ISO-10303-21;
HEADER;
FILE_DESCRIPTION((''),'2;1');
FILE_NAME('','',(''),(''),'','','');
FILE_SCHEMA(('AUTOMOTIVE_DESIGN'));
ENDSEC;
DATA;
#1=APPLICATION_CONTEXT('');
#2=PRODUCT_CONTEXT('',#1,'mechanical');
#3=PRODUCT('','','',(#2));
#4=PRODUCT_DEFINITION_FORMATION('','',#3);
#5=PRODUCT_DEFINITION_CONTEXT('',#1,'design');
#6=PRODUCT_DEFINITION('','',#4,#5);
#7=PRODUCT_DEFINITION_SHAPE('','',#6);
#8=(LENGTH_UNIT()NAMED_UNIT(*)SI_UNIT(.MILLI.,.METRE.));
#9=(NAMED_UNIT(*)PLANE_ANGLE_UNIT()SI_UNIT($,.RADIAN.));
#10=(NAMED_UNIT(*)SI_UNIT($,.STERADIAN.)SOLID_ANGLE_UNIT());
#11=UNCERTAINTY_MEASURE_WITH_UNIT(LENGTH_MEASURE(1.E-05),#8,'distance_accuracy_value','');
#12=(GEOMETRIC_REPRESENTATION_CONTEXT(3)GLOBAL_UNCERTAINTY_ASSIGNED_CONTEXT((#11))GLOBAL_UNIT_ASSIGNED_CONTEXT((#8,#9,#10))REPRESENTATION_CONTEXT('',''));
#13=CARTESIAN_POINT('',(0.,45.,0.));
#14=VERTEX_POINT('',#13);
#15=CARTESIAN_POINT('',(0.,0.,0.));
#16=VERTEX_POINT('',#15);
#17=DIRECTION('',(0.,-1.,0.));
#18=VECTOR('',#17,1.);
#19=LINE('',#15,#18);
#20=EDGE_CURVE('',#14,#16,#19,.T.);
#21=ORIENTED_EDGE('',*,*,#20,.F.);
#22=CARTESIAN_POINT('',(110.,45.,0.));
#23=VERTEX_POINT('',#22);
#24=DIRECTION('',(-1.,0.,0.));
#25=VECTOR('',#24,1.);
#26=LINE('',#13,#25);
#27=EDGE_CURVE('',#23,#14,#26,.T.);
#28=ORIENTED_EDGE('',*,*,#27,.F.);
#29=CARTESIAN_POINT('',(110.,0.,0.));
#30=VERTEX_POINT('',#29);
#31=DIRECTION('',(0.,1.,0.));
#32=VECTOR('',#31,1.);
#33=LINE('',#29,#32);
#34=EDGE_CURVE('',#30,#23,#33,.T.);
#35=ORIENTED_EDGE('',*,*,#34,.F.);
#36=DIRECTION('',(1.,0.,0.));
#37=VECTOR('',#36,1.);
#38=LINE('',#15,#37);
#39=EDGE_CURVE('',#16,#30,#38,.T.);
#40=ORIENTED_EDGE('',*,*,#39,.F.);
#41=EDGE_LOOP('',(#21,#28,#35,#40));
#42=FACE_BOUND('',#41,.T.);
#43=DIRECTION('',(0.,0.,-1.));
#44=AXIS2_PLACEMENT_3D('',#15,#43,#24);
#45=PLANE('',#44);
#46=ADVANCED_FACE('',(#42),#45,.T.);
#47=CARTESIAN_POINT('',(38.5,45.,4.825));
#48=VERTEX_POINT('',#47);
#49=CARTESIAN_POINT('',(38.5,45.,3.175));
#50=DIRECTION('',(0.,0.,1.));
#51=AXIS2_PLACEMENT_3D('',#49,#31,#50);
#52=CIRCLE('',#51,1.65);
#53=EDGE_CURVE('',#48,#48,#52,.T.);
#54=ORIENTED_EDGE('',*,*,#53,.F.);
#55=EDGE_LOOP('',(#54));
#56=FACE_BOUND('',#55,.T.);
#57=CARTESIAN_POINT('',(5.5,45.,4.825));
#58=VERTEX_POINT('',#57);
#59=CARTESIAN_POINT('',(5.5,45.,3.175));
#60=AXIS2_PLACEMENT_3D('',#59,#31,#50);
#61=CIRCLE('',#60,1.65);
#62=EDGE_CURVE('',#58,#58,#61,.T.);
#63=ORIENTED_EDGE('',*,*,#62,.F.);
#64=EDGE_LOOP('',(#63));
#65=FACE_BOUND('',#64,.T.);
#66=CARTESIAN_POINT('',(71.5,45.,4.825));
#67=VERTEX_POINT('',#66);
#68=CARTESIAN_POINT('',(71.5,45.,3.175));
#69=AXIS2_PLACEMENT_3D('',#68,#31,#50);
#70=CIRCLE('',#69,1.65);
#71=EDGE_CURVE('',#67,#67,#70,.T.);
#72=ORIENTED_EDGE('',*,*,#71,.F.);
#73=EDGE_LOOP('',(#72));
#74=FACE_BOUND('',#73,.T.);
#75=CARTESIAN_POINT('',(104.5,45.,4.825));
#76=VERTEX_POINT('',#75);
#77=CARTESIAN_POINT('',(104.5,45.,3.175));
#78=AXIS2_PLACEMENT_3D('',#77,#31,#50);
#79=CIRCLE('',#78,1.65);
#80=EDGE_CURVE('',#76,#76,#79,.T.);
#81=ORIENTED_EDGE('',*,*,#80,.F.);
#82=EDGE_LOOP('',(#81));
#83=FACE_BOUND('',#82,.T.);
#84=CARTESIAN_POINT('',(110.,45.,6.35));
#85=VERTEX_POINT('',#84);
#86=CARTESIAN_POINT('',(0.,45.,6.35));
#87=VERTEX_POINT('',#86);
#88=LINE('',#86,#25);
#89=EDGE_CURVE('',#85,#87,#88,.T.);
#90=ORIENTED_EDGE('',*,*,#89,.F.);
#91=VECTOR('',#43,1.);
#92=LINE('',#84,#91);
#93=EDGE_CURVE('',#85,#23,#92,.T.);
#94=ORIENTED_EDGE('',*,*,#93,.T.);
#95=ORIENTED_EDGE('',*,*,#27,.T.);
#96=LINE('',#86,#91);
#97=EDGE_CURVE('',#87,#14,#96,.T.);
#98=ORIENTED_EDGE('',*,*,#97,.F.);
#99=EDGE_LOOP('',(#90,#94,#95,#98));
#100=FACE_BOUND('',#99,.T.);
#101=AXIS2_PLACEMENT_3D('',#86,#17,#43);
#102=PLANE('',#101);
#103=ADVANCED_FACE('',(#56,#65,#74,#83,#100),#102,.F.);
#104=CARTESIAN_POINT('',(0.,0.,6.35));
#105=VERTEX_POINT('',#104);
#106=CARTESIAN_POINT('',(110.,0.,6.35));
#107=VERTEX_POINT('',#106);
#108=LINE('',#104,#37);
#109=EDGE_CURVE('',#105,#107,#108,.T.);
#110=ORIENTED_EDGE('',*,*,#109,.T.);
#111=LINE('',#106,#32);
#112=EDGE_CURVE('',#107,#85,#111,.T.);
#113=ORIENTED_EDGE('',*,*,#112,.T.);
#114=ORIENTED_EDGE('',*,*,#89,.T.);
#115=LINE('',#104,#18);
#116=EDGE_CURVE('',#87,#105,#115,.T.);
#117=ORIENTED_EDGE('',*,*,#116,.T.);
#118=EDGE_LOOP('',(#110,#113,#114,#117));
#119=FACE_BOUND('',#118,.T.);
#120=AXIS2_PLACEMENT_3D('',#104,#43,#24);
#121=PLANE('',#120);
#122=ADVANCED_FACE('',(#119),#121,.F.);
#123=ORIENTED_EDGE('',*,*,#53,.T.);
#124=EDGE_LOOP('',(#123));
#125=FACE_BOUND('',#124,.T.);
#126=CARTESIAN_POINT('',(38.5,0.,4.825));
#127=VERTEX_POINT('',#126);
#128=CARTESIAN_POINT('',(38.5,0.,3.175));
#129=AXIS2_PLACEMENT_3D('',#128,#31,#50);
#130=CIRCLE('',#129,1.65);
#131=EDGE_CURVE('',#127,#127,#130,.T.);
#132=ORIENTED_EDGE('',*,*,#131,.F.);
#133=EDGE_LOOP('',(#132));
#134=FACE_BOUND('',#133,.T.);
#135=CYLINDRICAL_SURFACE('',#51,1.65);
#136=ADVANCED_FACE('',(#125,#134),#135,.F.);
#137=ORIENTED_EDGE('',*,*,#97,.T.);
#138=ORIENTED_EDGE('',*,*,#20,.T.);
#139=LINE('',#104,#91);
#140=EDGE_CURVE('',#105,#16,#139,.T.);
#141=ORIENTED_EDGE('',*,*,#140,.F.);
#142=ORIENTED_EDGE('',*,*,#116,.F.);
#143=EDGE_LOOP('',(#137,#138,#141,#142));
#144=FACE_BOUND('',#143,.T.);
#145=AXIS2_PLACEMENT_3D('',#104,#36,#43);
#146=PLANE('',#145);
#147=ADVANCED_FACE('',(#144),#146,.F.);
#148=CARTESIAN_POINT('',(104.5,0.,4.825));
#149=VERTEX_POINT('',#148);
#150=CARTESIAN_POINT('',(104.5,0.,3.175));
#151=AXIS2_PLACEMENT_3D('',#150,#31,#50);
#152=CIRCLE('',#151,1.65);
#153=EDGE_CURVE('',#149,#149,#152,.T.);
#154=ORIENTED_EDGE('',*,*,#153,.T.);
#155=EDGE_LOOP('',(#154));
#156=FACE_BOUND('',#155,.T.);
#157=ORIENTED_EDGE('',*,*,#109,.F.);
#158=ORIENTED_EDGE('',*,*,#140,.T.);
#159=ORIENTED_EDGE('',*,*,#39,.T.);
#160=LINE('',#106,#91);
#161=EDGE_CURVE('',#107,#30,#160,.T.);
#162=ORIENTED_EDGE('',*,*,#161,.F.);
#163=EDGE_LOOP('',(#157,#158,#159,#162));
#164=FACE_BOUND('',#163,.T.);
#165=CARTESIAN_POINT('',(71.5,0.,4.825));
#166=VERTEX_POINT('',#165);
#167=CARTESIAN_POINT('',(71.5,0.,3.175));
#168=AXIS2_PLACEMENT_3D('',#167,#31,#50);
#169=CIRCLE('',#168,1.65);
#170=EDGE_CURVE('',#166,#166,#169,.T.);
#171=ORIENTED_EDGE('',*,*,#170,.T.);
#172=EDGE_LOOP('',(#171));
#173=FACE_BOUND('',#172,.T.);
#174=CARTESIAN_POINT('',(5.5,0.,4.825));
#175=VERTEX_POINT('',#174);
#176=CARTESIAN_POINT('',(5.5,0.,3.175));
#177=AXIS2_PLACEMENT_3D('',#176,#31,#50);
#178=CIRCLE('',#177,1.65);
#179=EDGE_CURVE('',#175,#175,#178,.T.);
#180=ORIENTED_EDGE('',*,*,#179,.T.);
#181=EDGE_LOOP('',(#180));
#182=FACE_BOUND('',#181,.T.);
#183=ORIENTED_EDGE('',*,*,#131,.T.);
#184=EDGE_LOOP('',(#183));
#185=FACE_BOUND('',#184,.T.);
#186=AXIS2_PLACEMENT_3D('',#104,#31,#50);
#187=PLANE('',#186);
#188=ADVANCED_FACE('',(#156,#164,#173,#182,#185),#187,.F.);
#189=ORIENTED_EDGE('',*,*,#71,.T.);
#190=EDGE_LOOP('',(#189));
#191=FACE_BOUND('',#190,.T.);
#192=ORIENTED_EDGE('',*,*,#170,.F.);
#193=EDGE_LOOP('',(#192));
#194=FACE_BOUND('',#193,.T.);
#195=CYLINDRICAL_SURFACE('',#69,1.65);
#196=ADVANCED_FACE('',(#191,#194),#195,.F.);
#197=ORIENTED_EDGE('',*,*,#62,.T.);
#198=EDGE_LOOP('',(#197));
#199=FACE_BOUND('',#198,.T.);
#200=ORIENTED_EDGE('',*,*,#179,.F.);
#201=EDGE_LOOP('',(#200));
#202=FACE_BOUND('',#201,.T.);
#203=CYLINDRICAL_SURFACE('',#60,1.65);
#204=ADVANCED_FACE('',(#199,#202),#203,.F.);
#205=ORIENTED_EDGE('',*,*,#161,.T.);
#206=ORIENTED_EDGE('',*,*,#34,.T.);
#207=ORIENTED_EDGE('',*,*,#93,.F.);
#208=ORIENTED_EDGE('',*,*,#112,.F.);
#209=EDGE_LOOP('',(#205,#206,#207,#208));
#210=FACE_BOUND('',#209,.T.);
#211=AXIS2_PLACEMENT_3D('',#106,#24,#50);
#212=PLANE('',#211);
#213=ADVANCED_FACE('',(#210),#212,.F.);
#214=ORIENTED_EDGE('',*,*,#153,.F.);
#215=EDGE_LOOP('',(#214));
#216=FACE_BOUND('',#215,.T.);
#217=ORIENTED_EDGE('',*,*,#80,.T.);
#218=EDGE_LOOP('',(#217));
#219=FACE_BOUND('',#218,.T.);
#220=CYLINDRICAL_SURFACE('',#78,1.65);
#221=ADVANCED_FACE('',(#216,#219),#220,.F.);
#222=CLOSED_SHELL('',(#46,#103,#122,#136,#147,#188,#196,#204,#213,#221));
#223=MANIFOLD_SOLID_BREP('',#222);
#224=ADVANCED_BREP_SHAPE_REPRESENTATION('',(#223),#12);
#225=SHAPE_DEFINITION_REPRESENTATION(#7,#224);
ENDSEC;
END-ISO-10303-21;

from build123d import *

# Parameters (mm, degrees)
SKETCH1_W             = 110
SKETCH1_H             = 45
BOSS_EXTRUDE1_DEPTH   = 6.35
M4X0_7_TAPPED_HOLE1_D = 3.3


with BuildPart() as part:
    # Sketch1 → Boss-Extrude1 (new body)
    with BuildSketch(Plane.XY):
        with Locations((55, 22.5)):
            Rectangle(SKETCH1_W, SKETCH1_H)
    extrude(amount=BOSS_EXTRUDE1_DEPTH)

    # M4x0.7 Tapped Hole1 (through all)
    with Locations(Plane(origin=(0, 45, 0), x_dir=(1, 0, 0), z_dir=(0, 1, 0))):
        with Locations((5.5, -3.175), (38.5, -3.175), (71.5, -3.175), (104.5, -3.175)):
            Hole(M4X0_7_TAPPED_HOLE1_D / 2)


solid = part.part
